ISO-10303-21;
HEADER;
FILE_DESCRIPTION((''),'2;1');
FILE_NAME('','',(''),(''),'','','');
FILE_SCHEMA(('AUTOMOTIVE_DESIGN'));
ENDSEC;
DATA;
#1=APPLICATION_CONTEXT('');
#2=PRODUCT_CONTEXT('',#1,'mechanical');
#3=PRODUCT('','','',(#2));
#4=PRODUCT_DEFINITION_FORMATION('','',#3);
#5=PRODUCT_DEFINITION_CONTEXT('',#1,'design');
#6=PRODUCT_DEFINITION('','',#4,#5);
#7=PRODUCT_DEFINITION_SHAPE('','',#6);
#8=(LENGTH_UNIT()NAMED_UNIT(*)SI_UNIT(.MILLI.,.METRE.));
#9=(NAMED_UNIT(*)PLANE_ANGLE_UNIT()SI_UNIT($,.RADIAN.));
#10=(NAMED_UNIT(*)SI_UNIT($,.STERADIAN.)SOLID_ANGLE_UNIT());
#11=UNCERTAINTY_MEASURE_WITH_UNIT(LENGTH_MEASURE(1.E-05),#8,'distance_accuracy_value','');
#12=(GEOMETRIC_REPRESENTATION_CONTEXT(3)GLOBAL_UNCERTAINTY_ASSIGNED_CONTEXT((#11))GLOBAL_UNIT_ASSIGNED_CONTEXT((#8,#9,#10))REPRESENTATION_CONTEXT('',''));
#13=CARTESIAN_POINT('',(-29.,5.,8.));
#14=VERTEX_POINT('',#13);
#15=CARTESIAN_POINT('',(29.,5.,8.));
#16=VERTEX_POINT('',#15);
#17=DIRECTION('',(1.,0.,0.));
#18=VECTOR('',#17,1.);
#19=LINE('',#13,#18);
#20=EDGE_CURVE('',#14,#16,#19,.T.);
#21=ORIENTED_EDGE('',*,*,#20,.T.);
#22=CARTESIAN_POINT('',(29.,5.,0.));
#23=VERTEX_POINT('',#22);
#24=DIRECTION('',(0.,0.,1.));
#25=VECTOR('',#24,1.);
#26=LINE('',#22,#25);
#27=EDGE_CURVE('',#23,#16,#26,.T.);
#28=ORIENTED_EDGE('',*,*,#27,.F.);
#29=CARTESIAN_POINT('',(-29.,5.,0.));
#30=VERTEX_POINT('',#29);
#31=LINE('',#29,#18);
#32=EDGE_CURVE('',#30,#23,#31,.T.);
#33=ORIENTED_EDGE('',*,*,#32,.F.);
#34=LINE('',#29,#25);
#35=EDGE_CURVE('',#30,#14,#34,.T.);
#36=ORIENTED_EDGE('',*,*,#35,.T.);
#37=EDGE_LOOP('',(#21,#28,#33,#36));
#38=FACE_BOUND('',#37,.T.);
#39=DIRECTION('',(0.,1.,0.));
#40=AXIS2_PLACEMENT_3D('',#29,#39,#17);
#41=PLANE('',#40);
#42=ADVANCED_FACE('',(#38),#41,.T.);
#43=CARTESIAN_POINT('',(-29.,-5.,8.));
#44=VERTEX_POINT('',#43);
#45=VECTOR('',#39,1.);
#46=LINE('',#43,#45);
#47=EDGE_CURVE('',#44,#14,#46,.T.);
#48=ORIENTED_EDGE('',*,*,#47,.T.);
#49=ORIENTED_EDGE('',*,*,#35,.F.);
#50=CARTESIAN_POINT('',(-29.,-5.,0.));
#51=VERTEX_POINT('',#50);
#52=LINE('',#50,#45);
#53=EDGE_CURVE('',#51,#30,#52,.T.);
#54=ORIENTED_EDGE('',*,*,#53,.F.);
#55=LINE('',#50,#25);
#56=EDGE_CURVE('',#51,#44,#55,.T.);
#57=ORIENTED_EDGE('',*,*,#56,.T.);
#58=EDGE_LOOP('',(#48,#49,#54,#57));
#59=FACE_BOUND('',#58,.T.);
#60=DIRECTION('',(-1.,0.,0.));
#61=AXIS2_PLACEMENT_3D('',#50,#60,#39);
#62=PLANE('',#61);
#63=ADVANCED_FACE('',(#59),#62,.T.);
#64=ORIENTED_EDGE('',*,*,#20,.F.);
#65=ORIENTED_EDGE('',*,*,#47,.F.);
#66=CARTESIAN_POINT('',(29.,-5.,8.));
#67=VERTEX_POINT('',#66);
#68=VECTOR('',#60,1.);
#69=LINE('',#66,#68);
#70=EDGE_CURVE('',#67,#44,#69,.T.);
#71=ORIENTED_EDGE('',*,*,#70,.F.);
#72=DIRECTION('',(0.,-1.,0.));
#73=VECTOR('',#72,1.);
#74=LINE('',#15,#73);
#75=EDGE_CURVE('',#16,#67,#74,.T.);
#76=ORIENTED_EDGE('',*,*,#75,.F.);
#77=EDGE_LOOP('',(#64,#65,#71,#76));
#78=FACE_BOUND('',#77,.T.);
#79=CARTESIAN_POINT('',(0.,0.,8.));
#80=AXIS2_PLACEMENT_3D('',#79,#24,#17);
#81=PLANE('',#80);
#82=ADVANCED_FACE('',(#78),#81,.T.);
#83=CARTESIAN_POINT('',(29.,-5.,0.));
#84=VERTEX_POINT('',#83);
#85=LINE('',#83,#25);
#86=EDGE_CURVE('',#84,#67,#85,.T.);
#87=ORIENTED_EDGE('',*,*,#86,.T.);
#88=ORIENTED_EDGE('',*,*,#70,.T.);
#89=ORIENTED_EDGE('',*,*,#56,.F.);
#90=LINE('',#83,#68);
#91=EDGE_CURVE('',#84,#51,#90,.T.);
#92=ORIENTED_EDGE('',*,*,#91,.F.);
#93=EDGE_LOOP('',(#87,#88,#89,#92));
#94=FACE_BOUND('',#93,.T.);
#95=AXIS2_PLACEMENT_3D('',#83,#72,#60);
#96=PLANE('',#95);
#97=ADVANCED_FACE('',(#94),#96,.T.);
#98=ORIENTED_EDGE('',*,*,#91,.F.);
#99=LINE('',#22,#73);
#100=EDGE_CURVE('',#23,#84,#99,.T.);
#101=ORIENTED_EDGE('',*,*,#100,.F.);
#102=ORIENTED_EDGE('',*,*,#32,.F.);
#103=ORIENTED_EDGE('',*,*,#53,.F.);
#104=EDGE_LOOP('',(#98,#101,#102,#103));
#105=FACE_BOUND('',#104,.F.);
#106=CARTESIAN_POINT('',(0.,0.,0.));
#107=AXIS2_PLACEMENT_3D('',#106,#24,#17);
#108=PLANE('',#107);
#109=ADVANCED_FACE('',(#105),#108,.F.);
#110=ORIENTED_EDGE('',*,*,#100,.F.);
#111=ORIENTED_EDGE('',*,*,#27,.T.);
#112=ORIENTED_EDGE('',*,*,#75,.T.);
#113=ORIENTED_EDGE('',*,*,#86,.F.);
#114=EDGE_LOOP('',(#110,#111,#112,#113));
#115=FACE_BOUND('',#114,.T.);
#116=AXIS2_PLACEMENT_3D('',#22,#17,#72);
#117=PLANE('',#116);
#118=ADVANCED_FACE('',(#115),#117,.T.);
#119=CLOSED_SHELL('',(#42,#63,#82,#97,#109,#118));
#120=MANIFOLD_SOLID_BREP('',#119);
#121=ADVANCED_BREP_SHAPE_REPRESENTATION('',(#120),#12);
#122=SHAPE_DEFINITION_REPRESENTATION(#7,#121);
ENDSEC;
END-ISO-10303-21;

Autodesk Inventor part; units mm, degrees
ref_plane "YZ Plane" through (0, 0, 0) normal (1, 0, 0) x (0, 1, 0)
ref_plane "XZ Plane" through (0, 0, 0) normal (0, 1, 0) x (-1, 0, 0)
ref_plane "XY Plane" through (0, 0, 0) normal (0, 0, 1) x (1, 0, 0)
sketch "스케치1" plane through (0, 0, 0) normal (0, 0, 1) x (1, 0, 0)
  line L0 (29, -5) -> (-29, -5)
  line L1 (-29, -5) -> (-29, 5)
  line L2 (-29, 5) -> (29, 5)
  line L3 (29, 5) -> (29, -5)
  line L4 (29, -5) -> (-29, 5) construction
  line L5 (-29, -5) -> (29, 5) construction
  point P0 (0, 0)
  dimension "d0" = 58
  dimension "d1" = 10
extrude "돌출1" add sketch "스케치1" along normal blind 8
properties part number "240626_chair2" material "목재(단풍나무)"
